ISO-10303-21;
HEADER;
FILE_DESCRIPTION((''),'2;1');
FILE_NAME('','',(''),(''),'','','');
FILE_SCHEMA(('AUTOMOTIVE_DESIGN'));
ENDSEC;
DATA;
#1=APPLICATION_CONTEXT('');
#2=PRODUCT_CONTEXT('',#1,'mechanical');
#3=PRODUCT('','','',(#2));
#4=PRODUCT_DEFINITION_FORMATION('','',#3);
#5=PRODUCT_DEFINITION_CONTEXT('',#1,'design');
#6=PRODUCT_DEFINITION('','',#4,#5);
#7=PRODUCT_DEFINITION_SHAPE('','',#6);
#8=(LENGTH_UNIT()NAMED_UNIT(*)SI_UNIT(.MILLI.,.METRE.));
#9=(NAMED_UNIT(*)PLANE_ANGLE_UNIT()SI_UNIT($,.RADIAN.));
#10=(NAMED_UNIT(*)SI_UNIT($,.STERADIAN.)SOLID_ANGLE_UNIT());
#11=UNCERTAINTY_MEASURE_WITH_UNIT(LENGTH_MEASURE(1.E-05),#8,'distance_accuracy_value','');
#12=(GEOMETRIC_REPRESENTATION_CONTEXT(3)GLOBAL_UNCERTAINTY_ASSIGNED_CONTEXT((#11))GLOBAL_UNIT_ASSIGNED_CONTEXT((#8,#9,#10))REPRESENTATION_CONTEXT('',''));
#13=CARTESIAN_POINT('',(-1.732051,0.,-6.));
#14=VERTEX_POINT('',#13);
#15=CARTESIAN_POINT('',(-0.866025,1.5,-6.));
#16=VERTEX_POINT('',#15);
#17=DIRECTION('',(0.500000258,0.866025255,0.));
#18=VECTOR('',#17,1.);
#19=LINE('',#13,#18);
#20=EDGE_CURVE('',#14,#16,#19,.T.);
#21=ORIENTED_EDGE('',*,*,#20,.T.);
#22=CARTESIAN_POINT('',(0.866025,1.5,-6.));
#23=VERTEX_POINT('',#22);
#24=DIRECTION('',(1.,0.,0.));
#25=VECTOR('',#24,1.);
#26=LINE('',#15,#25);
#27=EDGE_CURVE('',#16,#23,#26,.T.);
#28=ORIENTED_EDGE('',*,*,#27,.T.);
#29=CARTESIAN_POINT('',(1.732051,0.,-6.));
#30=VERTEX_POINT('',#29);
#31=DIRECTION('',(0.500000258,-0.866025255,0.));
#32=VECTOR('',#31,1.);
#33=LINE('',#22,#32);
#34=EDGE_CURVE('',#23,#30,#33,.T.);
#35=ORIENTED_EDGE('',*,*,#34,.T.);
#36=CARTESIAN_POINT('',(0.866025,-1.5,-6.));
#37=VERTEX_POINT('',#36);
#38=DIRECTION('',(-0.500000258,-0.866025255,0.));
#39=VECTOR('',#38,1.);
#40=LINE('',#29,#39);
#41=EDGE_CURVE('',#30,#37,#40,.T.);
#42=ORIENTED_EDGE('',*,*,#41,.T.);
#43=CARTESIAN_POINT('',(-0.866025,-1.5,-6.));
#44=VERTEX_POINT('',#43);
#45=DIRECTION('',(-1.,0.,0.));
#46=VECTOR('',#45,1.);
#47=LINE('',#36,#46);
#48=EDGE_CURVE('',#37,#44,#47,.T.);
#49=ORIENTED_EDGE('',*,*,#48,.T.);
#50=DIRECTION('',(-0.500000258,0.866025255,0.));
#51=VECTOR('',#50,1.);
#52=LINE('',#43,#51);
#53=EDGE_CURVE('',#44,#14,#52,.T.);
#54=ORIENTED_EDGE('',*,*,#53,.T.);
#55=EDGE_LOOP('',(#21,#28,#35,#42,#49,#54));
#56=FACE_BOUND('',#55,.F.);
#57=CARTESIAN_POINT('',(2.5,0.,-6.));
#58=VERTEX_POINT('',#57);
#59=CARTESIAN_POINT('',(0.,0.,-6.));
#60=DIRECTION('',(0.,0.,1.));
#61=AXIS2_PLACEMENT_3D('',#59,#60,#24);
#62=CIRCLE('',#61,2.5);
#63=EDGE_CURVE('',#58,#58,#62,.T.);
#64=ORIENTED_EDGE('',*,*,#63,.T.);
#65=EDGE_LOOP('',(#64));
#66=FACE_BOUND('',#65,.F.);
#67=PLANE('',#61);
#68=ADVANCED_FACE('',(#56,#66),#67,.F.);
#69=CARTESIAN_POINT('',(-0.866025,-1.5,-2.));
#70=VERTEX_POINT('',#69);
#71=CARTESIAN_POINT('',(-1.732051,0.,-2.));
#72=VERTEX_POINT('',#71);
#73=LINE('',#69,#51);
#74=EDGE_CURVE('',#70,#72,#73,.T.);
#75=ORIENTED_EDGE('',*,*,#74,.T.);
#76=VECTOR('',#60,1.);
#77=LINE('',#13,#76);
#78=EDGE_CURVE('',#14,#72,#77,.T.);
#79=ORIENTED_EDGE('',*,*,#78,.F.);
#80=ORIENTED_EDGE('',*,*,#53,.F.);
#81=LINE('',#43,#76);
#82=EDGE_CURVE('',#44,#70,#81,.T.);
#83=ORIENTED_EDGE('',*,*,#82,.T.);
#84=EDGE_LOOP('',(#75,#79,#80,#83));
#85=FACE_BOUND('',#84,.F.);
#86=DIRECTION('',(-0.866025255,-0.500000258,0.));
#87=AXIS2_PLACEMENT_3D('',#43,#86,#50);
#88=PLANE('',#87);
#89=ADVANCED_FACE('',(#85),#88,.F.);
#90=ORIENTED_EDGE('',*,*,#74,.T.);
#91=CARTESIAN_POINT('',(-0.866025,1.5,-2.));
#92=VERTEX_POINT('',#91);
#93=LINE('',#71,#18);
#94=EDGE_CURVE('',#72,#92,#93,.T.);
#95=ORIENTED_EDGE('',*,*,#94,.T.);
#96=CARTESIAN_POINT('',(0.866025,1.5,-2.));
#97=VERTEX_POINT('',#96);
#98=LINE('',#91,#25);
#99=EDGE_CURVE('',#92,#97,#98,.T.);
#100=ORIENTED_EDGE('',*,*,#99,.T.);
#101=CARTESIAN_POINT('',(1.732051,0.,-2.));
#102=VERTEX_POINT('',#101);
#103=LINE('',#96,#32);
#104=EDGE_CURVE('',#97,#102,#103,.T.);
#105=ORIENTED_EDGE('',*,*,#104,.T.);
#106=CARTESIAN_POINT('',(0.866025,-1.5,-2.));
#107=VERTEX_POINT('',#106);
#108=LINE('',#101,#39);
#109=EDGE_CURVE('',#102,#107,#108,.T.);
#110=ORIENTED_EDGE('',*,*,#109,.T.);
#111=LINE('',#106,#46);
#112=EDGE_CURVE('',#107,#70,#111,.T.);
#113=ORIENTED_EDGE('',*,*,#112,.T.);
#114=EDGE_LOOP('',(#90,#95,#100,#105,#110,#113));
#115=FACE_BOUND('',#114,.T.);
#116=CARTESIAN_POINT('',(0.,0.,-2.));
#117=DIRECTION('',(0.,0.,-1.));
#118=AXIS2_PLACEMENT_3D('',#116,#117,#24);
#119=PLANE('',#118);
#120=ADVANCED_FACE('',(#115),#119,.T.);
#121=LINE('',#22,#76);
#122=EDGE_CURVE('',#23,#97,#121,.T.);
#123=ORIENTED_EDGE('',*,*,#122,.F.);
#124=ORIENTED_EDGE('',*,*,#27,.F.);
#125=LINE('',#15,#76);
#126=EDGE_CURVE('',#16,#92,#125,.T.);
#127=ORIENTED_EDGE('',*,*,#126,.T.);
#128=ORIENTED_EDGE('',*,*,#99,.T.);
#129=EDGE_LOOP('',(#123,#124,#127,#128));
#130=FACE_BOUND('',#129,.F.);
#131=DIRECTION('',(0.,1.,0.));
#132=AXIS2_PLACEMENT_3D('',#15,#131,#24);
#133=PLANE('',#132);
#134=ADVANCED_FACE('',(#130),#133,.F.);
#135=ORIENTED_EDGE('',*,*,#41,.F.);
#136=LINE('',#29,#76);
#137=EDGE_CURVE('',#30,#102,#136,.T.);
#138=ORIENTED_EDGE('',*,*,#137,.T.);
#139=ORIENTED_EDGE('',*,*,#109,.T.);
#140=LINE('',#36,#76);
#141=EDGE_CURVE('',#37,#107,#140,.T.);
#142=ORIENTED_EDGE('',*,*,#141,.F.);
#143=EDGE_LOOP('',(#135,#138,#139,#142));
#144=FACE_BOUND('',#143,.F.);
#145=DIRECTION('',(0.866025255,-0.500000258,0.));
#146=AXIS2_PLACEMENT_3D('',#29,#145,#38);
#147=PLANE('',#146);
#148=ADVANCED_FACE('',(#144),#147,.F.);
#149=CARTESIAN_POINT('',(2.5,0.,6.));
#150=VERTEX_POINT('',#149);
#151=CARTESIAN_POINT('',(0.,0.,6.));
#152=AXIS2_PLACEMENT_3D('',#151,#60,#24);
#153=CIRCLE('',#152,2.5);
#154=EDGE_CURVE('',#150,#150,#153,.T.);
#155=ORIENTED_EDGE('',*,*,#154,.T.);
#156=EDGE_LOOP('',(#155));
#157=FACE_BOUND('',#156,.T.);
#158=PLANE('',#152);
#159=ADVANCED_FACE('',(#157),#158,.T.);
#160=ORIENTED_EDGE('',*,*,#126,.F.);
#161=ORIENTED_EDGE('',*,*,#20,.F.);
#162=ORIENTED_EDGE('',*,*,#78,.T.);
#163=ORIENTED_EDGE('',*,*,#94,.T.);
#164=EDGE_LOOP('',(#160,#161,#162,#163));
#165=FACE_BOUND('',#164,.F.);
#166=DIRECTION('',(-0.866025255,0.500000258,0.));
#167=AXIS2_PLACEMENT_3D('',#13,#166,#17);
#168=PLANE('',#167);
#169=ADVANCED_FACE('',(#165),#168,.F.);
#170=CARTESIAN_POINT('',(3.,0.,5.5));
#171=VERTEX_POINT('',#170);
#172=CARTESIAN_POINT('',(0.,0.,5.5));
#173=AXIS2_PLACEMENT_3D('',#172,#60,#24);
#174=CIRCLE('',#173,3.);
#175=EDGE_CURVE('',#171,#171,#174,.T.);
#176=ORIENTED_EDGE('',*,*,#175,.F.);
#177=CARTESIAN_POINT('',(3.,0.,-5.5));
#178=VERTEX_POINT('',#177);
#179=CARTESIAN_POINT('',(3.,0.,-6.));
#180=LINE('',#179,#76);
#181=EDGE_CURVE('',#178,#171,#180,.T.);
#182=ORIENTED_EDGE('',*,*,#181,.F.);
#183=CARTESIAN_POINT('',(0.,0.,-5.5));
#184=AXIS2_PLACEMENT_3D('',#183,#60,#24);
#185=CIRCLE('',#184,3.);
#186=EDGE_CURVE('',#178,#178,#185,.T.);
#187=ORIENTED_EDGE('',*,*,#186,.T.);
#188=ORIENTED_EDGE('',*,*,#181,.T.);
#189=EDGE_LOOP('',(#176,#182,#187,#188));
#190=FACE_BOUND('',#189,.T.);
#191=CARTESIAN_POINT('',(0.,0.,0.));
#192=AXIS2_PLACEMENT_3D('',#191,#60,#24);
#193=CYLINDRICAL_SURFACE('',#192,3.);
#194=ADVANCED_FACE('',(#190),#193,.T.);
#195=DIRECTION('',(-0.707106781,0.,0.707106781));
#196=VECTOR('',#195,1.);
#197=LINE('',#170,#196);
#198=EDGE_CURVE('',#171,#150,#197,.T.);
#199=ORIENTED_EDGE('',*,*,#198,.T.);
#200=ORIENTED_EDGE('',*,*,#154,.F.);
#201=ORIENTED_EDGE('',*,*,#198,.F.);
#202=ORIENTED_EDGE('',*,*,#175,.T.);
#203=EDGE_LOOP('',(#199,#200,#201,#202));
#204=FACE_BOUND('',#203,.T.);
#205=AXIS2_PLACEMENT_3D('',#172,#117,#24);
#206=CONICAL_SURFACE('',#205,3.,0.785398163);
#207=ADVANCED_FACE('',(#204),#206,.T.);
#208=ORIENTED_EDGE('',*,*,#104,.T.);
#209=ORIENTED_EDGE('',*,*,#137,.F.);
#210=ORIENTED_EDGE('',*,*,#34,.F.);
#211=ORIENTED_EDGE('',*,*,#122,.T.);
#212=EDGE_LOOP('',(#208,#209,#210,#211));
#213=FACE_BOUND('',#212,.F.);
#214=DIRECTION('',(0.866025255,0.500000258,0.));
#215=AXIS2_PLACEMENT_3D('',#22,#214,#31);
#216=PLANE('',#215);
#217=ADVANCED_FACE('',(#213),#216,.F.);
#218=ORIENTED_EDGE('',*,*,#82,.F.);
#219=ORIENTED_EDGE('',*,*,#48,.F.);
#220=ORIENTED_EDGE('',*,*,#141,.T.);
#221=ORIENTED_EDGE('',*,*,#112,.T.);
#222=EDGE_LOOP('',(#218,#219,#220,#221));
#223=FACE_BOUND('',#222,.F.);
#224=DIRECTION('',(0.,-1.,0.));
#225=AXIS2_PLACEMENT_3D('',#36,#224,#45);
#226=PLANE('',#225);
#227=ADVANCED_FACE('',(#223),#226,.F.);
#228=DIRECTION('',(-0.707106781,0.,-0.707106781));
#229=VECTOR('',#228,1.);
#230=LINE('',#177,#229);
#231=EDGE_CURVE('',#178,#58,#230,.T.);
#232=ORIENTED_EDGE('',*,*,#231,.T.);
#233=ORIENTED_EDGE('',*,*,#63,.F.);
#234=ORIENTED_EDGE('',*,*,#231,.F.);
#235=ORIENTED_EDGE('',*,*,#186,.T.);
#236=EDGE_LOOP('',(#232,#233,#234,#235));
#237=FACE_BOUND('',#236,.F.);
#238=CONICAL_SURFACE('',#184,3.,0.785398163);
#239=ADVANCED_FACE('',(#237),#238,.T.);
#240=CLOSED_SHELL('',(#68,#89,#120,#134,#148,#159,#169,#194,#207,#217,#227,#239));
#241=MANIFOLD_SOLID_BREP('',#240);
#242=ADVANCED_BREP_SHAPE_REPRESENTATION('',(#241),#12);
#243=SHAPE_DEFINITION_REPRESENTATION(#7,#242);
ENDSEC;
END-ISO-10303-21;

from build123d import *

# Parameters (mm, degrees)
F0_R     = 3
F1_DEPTH = 6
F2_SIZE  = 0.5
F4_DEPTH = 4


with BuildPart() as f1:
    # F0 (on Top) → F1 (new body, symmetric)
    with BuildSketch(Plane.XY):
        Circle(F0_R)
    extrude(amount=F1_DEPTH, both=True)

    # F2
    f2_edges = [f1.edges().sort_by_distance(p)[0] for p in [
        (-3, 0, 6),
        (-3, 0, -6),
    ]]
    chamfer(f2_edges, length=F2_SIZE)

    # F3 (on face) → F4 (cut)
    with BuildSketch(Plane(origin=(0, 0, -6), x_dir=(1, 0, 0), z_dir=(0, 0, -1))):
        Polygon((0.866025, 1.5), (-0.866025, 1.5), (-1.732051, 0), (-0.866025, -1.5), (0.866025, -1.5), (1.732051, 0), align=None)
    extrude(amount=-F4_DEPTH, mode=Mode.SUBTRACT)


solid = f1.part
